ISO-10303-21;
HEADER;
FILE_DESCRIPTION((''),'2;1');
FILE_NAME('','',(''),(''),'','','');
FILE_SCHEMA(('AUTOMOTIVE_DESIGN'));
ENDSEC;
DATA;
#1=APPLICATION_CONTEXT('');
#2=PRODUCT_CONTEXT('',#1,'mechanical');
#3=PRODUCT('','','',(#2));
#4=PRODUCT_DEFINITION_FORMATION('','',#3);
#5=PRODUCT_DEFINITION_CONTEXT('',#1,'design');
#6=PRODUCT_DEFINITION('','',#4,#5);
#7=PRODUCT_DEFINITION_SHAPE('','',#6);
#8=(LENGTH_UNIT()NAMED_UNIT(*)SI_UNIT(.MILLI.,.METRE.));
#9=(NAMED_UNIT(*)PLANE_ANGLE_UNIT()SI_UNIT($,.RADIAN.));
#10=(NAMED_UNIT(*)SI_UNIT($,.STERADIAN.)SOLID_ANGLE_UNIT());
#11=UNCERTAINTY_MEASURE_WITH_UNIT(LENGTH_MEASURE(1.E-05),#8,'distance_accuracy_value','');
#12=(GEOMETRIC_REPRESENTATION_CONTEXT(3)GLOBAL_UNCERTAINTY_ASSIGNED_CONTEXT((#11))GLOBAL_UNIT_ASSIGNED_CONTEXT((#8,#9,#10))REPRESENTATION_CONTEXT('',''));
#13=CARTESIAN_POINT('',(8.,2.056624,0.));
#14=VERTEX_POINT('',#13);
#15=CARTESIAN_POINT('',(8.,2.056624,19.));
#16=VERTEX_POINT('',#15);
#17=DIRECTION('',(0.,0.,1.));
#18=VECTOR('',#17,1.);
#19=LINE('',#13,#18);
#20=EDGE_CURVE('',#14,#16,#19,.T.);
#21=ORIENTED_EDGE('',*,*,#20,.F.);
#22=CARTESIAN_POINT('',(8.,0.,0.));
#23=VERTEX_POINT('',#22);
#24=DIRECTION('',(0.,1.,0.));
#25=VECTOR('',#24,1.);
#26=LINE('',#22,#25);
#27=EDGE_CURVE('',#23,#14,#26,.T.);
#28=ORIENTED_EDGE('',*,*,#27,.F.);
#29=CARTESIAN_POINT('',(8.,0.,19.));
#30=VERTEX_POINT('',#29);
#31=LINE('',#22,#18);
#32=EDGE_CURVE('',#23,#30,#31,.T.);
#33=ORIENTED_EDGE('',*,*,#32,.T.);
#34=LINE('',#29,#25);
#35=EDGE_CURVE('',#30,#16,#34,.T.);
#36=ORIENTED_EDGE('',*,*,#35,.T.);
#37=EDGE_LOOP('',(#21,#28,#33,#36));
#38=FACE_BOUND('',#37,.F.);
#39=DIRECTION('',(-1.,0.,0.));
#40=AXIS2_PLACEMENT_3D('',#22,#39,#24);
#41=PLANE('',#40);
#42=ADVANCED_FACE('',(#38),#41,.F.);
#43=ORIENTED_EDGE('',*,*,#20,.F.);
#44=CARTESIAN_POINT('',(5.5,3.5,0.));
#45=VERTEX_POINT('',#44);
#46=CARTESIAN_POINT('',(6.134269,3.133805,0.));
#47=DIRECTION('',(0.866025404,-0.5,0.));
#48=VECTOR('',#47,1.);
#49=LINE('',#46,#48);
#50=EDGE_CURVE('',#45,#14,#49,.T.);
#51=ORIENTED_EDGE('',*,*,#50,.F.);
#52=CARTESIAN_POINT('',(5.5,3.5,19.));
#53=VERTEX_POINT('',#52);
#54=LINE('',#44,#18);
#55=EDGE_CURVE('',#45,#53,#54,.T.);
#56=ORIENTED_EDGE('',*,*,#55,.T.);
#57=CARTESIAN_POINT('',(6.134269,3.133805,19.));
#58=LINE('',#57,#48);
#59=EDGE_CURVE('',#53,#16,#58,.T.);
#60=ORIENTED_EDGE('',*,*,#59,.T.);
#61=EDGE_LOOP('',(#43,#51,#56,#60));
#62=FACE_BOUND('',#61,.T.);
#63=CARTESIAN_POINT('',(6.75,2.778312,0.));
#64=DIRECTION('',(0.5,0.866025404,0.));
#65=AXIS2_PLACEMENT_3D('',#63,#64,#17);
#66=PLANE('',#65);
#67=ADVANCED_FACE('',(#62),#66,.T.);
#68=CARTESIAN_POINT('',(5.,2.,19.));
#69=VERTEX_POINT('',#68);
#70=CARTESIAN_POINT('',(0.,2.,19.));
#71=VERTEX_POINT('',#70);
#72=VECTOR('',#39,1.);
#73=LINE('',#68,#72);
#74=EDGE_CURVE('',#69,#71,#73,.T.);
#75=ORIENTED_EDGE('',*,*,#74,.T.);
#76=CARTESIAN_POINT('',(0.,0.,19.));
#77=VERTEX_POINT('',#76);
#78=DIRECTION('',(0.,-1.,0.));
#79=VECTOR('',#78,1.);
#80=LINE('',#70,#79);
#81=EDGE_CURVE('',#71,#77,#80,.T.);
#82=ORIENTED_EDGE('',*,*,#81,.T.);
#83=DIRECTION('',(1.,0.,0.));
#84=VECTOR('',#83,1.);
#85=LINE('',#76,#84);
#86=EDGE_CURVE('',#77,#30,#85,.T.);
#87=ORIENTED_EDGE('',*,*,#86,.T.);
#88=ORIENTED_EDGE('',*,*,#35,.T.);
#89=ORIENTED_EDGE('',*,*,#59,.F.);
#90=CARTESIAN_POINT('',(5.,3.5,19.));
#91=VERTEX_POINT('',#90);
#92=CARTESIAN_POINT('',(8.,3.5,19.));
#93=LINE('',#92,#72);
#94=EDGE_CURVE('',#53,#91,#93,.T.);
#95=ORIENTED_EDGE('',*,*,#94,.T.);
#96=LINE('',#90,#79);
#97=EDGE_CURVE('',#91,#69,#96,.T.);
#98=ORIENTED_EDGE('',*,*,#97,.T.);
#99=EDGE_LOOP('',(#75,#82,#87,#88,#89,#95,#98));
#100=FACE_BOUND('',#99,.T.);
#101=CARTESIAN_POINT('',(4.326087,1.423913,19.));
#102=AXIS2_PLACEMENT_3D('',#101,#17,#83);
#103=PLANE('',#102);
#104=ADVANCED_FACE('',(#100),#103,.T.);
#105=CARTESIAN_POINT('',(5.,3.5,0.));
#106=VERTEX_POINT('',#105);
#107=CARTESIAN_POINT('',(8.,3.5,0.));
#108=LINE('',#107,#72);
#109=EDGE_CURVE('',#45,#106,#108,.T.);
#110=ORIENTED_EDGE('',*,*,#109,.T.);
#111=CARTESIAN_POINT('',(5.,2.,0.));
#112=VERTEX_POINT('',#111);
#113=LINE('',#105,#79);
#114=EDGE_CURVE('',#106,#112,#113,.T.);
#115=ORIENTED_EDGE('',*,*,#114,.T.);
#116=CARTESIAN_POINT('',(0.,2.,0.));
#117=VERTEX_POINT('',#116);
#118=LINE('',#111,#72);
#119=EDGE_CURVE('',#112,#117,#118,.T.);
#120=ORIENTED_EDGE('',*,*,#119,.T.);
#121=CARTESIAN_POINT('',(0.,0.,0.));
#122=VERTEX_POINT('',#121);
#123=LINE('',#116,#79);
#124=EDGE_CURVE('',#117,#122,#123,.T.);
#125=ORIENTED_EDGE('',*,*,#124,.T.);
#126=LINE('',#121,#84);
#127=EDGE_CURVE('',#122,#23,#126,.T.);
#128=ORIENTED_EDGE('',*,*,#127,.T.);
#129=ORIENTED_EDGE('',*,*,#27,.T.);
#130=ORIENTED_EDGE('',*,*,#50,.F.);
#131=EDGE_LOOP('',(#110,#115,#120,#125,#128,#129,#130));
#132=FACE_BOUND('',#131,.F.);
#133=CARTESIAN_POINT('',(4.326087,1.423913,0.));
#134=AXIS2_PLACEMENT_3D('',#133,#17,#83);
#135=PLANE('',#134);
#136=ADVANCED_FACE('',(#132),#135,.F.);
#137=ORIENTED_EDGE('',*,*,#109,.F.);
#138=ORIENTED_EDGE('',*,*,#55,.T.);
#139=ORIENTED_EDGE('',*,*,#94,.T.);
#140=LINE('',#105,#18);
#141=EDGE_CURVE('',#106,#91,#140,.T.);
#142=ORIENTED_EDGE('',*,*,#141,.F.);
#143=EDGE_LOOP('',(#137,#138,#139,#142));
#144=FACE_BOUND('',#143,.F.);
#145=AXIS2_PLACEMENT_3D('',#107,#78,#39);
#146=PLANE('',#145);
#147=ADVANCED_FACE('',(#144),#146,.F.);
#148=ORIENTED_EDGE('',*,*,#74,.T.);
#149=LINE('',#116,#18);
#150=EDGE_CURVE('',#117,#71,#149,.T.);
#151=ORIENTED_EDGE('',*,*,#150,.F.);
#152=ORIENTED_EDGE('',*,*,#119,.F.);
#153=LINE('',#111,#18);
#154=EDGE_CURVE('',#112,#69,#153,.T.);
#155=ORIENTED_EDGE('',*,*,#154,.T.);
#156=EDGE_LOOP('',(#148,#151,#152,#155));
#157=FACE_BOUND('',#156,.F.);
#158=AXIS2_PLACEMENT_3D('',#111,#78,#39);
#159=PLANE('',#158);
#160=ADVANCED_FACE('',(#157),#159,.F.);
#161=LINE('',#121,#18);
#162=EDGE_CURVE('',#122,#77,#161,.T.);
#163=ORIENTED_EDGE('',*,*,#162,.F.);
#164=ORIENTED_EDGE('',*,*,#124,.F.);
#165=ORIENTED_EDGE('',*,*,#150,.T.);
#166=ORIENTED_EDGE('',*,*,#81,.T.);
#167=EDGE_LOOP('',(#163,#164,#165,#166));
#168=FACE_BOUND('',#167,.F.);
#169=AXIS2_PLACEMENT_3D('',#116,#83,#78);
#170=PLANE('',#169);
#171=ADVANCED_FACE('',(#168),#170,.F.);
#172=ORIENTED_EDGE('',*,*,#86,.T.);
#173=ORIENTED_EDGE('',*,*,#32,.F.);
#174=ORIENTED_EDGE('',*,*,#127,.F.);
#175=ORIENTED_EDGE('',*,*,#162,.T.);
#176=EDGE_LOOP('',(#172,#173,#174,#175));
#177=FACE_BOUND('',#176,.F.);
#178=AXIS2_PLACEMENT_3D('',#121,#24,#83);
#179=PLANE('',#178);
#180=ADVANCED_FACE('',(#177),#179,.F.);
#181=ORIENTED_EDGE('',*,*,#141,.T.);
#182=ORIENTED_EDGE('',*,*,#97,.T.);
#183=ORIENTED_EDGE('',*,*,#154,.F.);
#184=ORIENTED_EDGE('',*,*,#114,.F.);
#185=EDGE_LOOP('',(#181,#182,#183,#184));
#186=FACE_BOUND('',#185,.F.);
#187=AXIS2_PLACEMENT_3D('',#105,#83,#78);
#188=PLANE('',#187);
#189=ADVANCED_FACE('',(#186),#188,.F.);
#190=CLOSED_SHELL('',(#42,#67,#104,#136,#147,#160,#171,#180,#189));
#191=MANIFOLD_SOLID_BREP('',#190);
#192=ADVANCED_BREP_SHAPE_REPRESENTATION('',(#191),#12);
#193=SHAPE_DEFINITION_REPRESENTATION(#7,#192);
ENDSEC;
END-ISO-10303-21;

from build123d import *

# Parameters (mm, degrees)
F1_DEPTH = 19
F2_SIZE2 = 1.443375673
F2_SIZE  = 2.5


with BuildPart() as f1:
    # F0 (on Top) → F1 (new body)
    with BuildSketch(Plane.XY):
        Polygon((0, 2), (0, 0), (8, 0), (8, 3.5), (5, 3.5), (5, 2), align=None)
    extrude(amount=F1_DEPTH)

    # F2
    f2_edges = [f1.edges().sort_by_distance(p)[0] for p in [
        (8, 3.5, 9.5),
    ]]
    f2_side = f1.faces().sort_by_distance((6.5, 3.5, 9.5))[0]
    chamfer(f2_edges, length=F2_SIZE, length2=F2_SIZE2, reference=f2_side)


solid = f1.part
